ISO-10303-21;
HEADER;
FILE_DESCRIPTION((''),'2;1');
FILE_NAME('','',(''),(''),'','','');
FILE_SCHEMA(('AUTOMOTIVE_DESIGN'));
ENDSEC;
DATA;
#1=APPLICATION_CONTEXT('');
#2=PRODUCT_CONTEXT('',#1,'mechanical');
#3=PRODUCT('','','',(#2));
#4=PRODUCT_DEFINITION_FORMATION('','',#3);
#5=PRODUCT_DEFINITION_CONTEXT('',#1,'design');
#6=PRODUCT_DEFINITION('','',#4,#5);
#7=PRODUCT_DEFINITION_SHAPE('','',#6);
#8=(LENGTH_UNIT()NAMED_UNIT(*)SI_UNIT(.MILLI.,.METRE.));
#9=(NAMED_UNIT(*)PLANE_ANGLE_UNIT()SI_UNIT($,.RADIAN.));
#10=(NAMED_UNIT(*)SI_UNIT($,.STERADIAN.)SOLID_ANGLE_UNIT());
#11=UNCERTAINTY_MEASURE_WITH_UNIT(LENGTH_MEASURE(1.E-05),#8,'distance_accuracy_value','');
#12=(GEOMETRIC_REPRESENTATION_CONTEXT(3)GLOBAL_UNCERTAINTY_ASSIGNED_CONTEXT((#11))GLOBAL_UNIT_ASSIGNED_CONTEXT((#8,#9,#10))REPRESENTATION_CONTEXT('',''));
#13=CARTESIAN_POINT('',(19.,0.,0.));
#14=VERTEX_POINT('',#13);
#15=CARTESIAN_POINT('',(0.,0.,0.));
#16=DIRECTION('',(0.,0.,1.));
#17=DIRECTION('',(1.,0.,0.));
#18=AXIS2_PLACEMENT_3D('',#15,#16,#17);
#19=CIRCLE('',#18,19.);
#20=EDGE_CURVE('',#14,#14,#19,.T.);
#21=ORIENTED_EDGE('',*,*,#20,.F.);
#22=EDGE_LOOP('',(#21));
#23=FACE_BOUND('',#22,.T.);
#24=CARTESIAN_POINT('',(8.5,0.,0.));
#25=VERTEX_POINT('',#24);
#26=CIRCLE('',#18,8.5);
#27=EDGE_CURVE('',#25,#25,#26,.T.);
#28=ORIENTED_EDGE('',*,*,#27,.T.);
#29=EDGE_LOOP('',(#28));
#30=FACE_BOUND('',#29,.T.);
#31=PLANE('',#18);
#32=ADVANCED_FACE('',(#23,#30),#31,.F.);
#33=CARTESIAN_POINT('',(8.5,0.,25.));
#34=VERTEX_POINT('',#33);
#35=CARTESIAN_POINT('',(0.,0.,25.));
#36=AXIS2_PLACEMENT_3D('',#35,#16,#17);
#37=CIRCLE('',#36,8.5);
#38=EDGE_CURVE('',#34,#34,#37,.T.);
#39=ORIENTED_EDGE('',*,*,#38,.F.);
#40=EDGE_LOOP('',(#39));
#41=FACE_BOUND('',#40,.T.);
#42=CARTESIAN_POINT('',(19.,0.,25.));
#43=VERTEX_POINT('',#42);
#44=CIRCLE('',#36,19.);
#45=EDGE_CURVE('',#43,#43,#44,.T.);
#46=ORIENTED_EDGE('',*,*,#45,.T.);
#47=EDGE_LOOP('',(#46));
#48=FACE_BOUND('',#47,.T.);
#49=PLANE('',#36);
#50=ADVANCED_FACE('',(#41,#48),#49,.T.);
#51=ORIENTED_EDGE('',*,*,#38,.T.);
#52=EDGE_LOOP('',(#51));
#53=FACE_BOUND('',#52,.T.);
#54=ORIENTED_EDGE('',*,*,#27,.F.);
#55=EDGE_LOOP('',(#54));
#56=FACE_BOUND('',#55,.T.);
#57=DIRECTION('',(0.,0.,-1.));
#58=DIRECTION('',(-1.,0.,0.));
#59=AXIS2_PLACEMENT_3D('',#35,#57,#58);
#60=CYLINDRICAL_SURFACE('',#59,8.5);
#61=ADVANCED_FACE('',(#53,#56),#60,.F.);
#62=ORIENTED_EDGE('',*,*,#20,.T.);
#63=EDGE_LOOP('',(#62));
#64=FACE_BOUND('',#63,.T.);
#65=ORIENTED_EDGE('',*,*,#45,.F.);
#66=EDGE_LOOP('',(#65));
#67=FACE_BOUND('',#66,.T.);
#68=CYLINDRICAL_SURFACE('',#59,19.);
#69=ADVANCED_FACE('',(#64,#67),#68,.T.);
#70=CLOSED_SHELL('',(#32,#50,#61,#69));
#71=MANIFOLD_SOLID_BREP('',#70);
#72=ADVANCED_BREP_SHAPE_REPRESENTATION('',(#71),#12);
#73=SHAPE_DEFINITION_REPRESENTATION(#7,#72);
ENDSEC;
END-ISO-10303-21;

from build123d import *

# Parameters (mm, degrees)
ESBO_O1_R       = 19
ESBO_O1_R_2     = 8.5
EXTRUS_O1_DEPTH = 25


with BuildPart() as part:
    # Esboço1 → Extrusão1 (new body)
    with BuildSketch(Plane.XY):
        Circle(ESBO_O1_R)
        Circle(ESBO_O1_R_2, mode=Mode.SUBTRACT)
    extrude(amount=EXTRUS_O1_DEPTH)


solid = part.part
